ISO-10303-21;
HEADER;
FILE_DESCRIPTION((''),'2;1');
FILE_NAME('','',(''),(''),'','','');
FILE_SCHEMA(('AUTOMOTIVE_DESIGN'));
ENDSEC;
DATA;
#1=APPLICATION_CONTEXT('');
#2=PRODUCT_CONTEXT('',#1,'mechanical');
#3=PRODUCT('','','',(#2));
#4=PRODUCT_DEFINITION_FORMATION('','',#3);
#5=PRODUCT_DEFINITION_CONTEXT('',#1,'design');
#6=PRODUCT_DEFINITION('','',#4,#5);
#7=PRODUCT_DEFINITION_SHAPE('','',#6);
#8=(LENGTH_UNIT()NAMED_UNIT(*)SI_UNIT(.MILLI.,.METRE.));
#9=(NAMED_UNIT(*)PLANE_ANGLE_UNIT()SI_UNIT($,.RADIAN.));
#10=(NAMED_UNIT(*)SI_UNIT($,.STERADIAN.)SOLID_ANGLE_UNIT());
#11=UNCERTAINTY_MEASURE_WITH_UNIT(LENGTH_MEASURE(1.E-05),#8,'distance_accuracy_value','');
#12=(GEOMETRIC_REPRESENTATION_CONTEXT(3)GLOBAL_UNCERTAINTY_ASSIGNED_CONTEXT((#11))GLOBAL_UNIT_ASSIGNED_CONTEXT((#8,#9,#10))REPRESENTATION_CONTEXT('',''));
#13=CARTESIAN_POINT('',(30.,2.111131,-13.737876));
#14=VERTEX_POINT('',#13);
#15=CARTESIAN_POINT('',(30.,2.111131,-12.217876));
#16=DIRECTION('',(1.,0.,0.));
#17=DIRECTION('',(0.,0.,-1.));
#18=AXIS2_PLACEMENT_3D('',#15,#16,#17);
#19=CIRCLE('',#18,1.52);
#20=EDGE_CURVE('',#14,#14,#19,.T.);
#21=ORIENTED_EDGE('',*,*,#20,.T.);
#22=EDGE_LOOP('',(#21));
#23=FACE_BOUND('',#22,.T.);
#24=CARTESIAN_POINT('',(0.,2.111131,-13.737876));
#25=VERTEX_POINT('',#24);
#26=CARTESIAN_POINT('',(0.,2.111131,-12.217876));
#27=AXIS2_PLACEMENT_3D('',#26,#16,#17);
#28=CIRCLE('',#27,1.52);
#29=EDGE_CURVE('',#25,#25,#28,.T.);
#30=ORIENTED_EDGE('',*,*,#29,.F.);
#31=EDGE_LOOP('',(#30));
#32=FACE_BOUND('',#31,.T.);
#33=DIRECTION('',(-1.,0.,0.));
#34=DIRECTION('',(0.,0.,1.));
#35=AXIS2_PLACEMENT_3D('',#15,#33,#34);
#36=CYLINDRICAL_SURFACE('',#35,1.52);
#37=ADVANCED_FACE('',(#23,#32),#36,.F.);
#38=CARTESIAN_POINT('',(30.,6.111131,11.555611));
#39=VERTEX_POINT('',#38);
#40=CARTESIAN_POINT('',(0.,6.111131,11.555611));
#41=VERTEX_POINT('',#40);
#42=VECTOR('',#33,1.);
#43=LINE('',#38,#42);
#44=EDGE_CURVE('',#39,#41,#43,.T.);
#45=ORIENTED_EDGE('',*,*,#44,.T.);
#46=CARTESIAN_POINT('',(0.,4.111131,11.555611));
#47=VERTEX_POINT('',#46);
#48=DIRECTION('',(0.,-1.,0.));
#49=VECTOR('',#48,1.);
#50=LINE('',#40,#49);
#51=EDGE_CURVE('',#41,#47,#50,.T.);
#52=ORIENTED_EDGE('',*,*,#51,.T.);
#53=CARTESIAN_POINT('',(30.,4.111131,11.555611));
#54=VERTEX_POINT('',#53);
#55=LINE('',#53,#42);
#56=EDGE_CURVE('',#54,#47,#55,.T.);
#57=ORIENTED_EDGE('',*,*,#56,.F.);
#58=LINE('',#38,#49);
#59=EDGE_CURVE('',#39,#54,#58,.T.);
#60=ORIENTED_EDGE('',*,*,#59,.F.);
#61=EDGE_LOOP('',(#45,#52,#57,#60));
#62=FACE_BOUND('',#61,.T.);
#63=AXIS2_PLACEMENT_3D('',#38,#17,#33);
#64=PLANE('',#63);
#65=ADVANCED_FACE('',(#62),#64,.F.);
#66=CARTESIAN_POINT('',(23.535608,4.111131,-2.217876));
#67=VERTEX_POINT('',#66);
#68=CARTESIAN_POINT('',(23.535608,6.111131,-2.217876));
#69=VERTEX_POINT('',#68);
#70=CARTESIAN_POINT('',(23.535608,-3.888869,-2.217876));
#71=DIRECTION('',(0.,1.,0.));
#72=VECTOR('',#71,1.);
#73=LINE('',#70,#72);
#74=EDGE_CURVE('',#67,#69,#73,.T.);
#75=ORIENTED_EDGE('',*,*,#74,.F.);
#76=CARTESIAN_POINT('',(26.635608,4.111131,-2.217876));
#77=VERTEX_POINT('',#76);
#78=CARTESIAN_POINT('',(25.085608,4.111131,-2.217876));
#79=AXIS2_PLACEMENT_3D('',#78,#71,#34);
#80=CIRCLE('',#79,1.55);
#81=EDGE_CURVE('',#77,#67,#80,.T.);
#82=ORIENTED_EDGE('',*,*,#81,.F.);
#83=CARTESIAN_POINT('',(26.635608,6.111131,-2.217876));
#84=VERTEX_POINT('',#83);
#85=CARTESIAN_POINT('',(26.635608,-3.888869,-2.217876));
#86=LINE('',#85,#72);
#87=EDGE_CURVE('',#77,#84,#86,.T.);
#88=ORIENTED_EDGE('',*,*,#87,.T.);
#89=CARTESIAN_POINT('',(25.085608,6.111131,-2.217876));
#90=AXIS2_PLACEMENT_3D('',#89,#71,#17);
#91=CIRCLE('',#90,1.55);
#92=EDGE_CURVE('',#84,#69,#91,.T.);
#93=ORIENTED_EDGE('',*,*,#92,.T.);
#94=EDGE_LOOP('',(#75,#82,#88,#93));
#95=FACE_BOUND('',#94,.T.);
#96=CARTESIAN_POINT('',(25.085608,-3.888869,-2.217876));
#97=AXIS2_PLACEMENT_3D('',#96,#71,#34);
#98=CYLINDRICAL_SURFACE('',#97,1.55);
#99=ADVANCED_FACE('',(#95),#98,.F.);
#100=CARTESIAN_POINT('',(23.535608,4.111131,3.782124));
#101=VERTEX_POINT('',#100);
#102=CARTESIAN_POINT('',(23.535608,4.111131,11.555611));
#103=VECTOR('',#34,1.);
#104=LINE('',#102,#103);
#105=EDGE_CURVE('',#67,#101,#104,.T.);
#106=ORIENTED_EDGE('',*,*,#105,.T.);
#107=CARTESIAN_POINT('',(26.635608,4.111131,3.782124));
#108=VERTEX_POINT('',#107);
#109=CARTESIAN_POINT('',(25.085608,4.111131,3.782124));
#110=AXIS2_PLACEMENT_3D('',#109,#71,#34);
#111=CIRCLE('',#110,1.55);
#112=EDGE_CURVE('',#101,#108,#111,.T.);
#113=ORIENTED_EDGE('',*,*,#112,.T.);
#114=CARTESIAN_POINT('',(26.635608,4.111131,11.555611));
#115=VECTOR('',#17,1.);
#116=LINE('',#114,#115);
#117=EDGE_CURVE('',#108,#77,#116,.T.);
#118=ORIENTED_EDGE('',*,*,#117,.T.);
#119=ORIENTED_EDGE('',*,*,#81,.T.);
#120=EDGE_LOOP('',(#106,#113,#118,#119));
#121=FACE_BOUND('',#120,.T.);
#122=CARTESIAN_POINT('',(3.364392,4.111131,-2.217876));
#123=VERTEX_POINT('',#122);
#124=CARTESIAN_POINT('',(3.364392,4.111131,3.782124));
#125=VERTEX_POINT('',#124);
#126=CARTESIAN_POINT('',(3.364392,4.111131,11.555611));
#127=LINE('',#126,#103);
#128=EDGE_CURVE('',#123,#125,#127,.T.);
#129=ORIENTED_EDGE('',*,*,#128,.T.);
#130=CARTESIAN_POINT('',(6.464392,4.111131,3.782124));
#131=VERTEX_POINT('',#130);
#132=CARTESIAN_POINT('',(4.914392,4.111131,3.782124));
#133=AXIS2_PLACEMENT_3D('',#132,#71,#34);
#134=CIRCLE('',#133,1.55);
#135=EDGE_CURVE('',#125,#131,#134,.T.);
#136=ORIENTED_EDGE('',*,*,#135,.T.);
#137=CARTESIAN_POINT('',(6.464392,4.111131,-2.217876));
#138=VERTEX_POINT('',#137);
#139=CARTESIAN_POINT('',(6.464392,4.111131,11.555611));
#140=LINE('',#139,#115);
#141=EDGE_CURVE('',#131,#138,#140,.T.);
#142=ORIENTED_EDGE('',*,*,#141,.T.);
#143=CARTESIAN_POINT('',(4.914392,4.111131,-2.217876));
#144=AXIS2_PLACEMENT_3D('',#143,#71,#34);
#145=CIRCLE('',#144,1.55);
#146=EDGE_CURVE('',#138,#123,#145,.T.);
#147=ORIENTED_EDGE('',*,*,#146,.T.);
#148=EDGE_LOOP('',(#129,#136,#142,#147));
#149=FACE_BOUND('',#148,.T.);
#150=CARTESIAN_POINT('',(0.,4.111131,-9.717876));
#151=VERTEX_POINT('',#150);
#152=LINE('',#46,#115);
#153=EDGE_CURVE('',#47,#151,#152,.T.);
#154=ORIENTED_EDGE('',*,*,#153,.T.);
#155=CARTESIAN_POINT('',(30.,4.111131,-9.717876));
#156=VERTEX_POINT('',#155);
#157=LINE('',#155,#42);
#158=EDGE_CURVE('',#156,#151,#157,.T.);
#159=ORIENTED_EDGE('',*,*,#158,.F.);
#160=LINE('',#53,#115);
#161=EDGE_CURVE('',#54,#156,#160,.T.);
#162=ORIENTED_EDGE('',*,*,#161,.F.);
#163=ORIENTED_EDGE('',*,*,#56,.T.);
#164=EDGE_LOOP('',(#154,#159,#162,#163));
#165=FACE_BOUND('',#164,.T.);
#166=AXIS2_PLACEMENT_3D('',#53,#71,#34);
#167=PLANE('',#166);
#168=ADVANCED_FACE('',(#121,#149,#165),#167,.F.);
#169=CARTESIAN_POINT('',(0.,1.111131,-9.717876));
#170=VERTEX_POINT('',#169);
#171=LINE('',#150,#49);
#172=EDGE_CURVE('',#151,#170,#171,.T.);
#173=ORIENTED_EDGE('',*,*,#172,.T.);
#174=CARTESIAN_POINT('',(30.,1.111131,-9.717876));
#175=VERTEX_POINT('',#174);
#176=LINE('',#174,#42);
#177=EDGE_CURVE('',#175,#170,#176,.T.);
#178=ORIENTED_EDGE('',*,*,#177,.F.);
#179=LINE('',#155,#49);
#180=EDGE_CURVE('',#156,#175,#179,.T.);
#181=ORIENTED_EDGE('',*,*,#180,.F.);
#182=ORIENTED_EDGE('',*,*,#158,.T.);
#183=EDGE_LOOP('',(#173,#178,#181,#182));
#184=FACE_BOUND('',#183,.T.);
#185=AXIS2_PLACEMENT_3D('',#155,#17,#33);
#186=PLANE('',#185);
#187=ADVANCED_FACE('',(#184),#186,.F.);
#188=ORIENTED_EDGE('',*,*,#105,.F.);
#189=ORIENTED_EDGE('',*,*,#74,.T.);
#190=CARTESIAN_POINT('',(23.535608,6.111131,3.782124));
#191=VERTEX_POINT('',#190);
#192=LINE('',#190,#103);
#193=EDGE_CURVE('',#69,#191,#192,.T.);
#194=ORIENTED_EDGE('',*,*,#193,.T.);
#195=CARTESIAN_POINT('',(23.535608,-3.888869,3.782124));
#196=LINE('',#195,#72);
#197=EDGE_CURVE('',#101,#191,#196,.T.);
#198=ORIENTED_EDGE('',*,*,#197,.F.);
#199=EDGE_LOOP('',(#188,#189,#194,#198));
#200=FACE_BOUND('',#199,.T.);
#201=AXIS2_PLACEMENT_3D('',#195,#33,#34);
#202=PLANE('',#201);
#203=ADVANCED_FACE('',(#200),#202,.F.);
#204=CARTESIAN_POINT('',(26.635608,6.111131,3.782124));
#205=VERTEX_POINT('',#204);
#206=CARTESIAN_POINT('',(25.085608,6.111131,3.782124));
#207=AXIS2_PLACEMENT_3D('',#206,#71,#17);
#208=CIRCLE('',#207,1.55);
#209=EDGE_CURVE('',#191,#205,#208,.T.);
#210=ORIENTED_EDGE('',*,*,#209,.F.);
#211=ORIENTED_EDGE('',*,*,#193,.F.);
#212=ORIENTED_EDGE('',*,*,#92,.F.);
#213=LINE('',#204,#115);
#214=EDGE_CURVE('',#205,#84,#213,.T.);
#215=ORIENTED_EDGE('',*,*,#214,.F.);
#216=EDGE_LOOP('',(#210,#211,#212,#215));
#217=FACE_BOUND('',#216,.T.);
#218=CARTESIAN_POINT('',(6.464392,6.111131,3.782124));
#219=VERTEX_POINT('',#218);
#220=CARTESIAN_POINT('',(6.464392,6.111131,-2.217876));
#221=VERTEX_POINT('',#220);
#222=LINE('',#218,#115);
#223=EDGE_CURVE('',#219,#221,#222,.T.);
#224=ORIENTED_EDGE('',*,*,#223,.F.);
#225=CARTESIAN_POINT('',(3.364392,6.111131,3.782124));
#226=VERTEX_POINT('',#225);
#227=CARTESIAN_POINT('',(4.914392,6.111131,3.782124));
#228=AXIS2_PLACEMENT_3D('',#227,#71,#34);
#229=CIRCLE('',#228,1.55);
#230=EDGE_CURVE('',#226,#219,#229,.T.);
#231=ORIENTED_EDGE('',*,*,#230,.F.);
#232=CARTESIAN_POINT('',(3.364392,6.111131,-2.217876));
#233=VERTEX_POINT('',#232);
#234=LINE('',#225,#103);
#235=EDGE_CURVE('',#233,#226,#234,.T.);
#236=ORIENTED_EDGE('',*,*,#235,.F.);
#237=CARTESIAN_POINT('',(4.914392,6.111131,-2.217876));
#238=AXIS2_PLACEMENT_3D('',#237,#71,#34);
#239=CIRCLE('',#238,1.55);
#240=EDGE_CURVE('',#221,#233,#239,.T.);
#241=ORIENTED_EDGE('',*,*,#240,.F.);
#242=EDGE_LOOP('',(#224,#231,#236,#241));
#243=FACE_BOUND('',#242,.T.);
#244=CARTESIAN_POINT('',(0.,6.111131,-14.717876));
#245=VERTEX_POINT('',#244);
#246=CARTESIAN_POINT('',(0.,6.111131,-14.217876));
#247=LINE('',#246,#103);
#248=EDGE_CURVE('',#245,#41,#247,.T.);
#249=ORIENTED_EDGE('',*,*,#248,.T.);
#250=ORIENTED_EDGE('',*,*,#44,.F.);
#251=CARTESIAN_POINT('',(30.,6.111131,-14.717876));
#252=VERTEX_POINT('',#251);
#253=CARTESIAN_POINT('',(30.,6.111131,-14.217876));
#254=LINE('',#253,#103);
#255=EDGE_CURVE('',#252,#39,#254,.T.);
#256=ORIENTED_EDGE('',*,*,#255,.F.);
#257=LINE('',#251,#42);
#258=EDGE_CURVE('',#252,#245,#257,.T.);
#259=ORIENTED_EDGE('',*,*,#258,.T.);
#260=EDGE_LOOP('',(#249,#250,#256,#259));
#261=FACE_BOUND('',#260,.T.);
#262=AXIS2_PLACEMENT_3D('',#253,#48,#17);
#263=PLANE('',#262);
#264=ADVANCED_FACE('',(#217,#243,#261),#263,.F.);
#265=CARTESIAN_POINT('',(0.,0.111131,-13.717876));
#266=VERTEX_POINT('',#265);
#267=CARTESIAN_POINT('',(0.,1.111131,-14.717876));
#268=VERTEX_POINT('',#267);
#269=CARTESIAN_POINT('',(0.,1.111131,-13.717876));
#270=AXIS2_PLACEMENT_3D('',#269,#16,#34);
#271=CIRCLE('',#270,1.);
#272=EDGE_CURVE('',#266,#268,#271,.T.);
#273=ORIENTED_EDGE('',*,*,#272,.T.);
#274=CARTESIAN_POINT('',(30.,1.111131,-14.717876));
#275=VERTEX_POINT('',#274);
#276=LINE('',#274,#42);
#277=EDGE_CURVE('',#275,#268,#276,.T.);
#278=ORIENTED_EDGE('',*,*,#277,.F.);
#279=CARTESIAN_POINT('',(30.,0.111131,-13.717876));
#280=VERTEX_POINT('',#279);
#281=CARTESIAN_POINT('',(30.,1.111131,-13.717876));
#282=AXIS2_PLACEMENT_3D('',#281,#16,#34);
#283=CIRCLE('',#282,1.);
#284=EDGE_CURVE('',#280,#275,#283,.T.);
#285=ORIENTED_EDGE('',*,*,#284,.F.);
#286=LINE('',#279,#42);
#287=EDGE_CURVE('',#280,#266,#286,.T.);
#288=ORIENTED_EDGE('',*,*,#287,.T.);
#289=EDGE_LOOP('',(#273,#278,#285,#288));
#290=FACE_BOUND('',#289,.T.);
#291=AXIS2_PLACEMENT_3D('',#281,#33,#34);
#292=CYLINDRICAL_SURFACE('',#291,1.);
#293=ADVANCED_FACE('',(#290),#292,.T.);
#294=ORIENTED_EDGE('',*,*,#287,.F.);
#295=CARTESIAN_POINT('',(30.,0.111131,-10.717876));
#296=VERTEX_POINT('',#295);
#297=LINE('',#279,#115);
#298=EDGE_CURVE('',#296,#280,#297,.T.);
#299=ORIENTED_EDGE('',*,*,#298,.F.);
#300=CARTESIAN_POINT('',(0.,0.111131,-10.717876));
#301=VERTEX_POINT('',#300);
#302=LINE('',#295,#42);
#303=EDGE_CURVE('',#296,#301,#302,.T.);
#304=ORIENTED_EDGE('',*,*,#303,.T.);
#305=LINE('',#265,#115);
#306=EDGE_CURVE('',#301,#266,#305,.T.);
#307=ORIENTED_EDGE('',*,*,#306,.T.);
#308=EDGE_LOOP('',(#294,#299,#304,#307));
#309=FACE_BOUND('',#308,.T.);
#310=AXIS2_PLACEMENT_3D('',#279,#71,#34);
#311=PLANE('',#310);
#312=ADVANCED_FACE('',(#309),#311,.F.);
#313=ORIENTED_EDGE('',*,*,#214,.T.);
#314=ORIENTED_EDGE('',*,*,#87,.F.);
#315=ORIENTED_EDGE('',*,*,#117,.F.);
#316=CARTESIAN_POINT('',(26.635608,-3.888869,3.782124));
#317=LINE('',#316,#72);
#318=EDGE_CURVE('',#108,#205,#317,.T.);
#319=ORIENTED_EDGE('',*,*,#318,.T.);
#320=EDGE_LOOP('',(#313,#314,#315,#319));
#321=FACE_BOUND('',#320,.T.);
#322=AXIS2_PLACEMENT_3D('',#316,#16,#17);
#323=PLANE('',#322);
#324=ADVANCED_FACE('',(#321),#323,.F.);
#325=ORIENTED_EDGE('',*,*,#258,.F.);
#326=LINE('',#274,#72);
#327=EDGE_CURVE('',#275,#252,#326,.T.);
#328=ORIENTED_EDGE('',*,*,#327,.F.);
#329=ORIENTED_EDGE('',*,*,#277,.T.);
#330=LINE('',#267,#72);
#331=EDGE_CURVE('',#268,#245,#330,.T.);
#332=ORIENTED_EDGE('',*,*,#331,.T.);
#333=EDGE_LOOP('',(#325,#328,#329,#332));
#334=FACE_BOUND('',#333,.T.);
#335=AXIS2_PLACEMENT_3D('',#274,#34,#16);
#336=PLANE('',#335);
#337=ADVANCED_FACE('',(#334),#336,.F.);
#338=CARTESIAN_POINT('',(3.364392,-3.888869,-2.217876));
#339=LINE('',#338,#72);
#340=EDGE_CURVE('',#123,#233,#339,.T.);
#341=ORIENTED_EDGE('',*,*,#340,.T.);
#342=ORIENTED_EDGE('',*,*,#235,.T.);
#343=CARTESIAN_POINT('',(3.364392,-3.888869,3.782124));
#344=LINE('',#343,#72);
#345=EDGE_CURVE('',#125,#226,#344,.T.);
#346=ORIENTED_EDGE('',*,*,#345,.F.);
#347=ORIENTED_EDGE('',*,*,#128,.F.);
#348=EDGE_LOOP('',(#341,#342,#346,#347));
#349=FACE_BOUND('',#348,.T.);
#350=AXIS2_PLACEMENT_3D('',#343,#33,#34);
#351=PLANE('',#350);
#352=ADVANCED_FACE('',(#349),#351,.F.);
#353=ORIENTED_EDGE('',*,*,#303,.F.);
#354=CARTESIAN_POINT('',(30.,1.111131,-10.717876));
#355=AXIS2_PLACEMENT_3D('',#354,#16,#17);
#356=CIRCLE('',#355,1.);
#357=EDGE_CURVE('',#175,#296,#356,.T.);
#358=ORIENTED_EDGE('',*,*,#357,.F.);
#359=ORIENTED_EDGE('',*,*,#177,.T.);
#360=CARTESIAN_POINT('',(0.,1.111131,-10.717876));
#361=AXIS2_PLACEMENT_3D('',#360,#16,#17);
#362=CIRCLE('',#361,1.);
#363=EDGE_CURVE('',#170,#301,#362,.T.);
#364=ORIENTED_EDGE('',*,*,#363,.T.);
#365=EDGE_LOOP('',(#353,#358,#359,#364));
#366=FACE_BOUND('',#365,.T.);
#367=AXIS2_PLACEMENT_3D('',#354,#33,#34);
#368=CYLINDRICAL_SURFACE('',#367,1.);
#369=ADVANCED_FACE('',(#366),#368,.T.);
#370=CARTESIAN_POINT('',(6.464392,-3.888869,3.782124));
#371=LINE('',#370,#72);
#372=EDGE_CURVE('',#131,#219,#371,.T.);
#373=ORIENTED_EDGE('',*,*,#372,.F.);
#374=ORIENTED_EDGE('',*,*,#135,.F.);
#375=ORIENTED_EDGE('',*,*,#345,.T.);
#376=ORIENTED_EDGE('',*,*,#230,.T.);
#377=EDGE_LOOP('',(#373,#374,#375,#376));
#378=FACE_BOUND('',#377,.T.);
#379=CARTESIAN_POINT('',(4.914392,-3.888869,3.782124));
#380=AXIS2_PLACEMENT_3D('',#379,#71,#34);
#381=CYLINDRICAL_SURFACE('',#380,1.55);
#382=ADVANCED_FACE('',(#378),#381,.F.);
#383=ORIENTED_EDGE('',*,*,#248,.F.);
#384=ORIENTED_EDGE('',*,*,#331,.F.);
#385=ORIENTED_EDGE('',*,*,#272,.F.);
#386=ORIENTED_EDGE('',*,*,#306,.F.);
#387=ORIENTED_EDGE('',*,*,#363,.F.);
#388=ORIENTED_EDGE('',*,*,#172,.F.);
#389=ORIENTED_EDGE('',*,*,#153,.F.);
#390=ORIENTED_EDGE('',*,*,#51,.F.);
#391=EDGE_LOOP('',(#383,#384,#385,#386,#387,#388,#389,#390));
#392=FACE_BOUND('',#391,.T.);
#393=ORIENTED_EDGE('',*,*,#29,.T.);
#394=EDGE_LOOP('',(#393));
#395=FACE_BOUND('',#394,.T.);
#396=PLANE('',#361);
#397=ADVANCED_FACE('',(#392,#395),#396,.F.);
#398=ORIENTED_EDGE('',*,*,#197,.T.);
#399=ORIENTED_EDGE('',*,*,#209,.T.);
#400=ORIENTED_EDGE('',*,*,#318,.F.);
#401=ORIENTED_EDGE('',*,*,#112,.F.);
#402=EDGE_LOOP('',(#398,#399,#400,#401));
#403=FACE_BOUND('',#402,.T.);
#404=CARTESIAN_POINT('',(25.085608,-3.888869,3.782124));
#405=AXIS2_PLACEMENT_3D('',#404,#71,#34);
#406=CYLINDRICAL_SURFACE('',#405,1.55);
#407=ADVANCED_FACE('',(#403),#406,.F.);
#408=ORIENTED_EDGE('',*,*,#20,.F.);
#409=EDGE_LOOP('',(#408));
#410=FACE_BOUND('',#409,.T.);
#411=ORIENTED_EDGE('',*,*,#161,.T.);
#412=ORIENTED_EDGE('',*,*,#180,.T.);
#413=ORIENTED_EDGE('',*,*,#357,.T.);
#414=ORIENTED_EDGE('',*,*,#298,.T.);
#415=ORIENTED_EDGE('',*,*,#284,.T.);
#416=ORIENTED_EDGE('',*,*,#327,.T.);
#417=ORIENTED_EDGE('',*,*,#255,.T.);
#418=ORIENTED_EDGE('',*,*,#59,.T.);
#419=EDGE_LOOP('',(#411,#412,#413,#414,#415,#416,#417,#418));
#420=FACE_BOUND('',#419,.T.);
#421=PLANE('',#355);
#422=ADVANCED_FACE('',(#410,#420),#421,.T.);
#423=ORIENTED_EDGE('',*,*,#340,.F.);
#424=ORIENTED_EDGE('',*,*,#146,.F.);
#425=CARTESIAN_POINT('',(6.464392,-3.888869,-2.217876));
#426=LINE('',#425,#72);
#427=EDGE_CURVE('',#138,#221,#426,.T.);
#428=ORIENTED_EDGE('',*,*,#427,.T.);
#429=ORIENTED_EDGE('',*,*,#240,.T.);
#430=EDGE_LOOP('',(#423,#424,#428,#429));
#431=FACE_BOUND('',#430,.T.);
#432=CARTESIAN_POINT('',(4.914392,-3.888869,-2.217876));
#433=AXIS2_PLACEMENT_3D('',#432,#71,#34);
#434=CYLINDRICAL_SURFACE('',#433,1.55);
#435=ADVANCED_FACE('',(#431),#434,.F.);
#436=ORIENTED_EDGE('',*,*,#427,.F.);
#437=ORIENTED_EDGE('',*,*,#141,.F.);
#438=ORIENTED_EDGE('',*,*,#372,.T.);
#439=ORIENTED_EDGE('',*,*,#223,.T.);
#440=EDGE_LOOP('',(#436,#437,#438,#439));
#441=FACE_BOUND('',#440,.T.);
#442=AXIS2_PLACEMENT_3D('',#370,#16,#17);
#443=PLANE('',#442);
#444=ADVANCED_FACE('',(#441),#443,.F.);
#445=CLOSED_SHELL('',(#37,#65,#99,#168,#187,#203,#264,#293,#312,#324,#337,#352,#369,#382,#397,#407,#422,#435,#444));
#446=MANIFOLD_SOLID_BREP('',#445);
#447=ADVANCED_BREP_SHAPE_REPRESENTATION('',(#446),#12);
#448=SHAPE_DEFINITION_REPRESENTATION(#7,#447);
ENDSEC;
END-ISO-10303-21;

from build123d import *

# Parameters (mm, degrees)
SKIZZE5_R                       = 1.52
AUFSATZ_LINEAR_AUSTRAGEN3_DEPTH = 30
SCHNITT_LINEAR_AUSTRAGEN1_DEPTH = 10


with BuildPart() as part:
    # Skizze5 → Aufsatz-Linear austragen3 (new body)
    with BuildSketch(Plane(origin=(0, 0, 0), x_dir=(0, 0, -1), z_dir=(1, 0, 0))):
        with BuildLine():
            Line((-11.555611309, 6.111130946), (-11.555611309, 4.111130946))
            Line((-11.555611309, 4.111130946), (9.717875997, 4.111130946))
            Line((9.717875997, 4.111130946), (9.717875997, 1.111130946))
            ThreePointArc((9.717875997, 1.111130946), (10.010769216, 0.404024165), (10.717875997, 0.111130946))
            Line((10.717875997, 0.111130946), (13.717875997, 0.111130946))
            ThreePointArc((13.717875997, 0.111130946), (14.424982778, 0.404024165), (14.717875997, 1.111130946))
            Line((14.717875997, 1.111130946), (14.717875997, 6.111130946))
            Line((14.717875997, 6.111130946), (14.217875997, 6.111130946))
            Line((14.217875997, 6.111130946), (-11.555611309, 6.111130946))
        make_face()
        with Locations((12.217875997, 2.111130946)):
            Circle(SKIZZE5_R, mode=Mode.SUBTRACT)
    extrude(amount=AUFSATZ_LINEAR_AUSTRAGEN3_DEPTH)

    # Skizze6 → Schnitt-Linear austragen1 (cut)
    with BuildSketch(Plane(origin=(0, 6.111130946, 0), x_dir=(1, 0, 0), z_dir=(0, 1, 0))):
        with BuildLine():
            Line((3.364391914, -3.782124003), (3.364391914, 2.217875997))
            ThreePointArc((3.364391914, 2.217875997), (4.914391914, 3.767875997), (6.464391914, 2.217875997))
            Line((6.464391914, 2.217875997), (6.464391914, -3.782124003))
            ThreePointArc((6.464391914, -3.782124003), (4.914391914, -5.332124003), (3.364391914, -3.782124003))
        make_face()
        with BuildLine():
            Line((26.635608086, -3.782124003), (26.635608086, 2.217875997))
            ThreePointArc((26.635608086, 2.217875997), (25.085608086, 3.767875997), (23.535608086, 2.217875997))
            Line((23.535608086, 2.217875997), (23.535608086, -3.782124003))
            ThreePointArc((23.535608086, -3.782124003), (25.085608086, -5.332124003), (26.635608086, -3.782124003))
        make_face()
    extrude(amount=-SCHNITT_LINEAR_AUSTRAGEN1_DEPTH, mode=Mode.SUBTRACT)


solid = part.part
